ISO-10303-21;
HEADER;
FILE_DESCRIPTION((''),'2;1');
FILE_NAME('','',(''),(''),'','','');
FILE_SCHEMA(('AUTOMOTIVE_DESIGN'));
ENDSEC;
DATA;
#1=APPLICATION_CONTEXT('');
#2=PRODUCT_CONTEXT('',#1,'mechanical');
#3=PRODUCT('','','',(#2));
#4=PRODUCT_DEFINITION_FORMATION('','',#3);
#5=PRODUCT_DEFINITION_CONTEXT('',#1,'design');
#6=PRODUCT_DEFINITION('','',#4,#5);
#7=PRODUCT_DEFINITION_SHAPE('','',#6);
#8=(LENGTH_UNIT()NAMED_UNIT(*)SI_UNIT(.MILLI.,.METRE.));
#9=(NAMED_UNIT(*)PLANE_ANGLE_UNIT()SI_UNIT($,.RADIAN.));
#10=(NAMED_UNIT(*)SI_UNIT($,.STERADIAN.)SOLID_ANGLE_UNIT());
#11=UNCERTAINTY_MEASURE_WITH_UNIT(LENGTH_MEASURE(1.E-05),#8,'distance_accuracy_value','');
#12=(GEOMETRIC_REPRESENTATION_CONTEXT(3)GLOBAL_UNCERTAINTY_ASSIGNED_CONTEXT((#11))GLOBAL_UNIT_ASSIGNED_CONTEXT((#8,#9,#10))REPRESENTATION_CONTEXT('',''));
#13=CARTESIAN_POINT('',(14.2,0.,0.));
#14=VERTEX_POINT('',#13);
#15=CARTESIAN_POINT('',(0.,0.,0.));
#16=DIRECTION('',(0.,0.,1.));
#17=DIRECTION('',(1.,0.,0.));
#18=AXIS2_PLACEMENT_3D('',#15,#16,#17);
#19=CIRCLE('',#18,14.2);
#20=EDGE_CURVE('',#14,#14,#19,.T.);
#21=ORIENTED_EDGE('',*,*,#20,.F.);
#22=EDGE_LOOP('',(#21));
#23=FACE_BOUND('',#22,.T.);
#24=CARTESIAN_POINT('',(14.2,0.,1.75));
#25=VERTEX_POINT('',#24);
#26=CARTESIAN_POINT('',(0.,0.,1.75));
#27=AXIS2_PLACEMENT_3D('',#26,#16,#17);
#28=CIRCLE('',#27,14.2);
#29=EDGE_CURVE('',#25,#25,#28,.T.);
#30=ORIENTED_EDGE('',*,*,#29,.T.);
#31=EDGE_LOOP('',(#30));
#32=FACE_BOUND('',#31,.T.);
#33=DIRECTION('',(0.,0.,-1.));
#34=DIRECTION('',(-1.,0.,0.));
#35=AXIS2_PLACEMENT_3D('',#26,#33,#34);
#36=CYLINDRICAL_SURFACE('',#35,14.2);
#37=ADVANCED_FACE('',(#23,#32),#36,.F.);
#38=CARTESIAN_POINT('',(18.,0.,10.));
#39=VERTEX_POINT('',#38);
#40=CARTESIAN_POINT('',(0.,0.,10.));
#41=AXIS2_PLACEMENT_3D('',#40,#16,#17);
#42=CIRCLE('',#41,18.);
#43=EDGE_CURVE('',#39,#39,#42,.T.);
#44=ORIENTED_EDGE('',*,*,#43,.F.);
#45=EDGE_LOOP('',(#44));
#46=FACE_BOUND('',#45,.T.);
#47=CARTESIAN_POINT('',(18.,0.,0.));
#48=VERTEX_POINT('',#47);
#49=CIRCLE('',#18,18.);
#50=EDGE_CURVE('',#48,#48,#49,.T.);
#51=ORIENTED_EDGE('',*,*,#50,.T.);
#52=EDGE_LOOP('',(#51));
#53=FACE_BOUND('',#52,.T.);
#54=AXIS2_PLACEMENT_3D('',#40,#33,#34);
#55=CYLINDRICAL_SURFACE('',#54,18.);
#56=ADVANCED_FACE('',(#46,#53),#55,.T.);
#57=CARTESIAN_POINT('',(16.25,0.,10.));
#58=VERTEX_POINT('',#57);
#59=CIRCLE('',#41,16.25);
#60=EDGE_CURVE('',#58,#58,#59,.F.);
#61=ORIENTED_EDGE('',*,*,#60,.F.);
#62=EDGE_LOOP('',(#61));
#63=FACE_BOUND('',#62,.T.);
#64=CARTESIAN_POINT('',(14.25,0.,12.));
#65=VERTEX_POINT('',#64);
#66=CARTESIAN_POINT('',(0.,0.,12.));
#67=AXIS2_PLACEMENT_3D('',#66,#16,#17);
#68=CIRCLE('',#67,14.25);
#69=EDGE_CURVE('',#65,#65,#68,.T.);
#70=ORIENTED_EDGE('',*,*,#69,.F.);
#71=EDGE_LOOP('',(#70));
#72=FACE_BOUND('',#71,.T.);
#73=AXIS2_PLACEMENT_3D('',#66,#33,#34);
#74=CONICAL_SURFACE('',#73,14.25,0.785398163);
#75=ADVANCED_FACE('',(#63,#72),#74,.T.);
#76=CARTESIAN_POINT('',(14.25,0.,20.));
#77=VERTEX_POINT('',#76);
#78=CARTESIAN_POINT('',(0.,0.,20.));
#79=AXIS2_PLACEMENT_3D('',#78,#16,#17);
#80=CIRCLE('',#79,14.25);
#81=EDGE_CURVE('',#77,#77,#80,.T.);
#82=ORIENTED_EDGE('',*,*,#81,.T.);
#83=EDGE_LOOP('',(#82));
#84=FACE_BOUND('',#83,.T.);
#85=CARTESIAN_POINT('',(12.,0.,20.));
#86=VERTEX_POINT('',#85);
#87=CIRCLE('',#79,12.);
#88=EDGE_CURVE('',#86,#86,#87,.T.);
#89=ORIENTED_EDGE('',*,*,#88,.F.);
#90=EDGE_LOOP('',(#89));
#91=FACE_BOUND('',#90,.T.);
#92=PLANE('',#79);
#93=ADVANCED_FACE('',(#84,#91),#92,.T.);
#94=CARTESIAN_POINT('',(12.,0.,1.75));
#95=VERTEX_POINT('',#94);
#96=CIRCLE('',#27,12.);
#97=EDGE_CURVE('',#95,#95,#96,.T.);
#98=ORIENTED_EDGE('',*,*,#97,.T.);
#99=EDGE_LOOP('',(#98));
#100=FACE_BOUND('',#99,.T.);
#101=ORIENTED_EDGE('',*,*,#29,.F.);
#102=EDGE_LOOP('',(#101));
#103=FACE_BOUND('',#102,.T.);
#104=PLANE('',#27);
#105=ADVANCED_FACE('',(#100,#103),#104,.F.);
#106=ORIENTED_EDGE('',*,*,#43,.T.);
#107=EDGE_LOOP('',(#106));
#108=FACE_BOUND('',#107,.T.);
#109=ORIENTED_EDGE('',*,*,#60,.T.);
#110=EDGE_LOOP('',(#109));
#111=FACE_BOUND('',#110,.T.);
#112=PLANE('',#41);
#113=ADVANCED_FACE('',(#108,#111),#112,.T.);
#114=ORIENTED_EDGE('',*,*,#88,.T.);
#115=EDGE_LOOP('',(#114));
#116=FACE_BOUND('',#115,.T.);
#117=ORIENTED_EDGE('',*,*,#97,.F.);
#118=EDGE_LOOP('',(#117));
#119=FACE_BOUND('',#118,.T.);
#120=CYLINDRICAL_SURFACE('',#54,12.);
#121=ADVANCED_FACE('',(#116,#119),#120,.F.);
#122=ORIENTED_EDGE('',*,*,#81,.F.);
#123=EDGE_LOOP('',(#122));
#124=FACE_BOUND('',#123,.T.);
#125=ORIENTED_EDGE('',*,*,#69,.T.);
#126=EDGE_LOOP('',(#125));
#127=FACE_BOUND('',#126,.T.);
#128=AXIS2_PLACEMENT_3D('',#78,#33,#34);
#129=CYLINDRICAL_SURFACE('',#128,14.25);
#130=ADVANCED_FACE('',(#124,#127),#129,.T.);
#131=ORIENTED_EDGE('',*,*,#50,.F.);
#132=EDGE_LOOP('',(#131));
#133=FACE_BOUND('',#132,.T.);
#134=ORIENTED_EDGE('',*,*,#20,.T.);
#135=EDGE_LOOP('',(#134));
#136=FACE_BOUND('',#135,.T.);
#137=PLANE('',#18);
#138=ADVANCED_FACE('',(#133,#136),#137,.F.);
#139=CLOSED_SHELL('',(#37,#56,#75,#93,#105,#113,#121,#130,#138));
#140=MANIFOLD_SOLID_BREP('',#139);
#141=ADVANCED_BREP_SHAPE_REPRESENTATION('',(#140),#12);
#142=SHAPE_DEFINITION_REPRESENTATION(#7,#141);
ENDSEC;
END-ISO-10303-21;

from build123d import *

# Parameters (mm, degrees)
SKETCH1_R           = 18
SKETCH1_R_2         = 12
BOSS_EXTRUDE1_DEPTH = 10
SKETCH3_R           = 14.2
CUT_EXTRUDE1_DEPTH  = 1.75
SKETCH5_R           = 14.25
SKETCH5_R_2         = 12
BOSS_EXTRUDE2_DEPTH = 10
CHAMFER1_SIZE       = 2


with BuildPart() as part:
    # Sketch1 → Boss-Extrude1 (new body)
    with BuildSketch(Plane.XY):
        Circle(SKETCH1_R)
        Circle(SKETCH1_R_2, mode=Mode.SUBTRACT)
    extrude(amount=BOSS_EXTRUDE1_DEPTH)

    # Sketch3 → Cut-Extrude1 (cut)
    with BuildSketch(Plane.XY):
        Circle(SKETCH3_R)
    extrude(amount=CUT_EXTRUDE1_DEPTH, mode=Mode.SUBTRACT)

    # Sketch5 → Boss-Extrude2 (add)
    with BuildSketch(Plane.XY.offset(10)):
        Circle(SKETCH5_R)
        Circle(SKETCH5_R_2, mode=Mode.SUBTRACT)
    extrude(amount=BOSS_EXTRUDE2_DEPTH)

    # Chamfer1
    chamfer1_edges = [part.edges().sort_by_distance(p)[0] for p in [
        (-14.25, 0, 10),
    ]]
    chamfer(chamfer1_edges, length=CHAMFER1_SIZE)


solid = part.part
